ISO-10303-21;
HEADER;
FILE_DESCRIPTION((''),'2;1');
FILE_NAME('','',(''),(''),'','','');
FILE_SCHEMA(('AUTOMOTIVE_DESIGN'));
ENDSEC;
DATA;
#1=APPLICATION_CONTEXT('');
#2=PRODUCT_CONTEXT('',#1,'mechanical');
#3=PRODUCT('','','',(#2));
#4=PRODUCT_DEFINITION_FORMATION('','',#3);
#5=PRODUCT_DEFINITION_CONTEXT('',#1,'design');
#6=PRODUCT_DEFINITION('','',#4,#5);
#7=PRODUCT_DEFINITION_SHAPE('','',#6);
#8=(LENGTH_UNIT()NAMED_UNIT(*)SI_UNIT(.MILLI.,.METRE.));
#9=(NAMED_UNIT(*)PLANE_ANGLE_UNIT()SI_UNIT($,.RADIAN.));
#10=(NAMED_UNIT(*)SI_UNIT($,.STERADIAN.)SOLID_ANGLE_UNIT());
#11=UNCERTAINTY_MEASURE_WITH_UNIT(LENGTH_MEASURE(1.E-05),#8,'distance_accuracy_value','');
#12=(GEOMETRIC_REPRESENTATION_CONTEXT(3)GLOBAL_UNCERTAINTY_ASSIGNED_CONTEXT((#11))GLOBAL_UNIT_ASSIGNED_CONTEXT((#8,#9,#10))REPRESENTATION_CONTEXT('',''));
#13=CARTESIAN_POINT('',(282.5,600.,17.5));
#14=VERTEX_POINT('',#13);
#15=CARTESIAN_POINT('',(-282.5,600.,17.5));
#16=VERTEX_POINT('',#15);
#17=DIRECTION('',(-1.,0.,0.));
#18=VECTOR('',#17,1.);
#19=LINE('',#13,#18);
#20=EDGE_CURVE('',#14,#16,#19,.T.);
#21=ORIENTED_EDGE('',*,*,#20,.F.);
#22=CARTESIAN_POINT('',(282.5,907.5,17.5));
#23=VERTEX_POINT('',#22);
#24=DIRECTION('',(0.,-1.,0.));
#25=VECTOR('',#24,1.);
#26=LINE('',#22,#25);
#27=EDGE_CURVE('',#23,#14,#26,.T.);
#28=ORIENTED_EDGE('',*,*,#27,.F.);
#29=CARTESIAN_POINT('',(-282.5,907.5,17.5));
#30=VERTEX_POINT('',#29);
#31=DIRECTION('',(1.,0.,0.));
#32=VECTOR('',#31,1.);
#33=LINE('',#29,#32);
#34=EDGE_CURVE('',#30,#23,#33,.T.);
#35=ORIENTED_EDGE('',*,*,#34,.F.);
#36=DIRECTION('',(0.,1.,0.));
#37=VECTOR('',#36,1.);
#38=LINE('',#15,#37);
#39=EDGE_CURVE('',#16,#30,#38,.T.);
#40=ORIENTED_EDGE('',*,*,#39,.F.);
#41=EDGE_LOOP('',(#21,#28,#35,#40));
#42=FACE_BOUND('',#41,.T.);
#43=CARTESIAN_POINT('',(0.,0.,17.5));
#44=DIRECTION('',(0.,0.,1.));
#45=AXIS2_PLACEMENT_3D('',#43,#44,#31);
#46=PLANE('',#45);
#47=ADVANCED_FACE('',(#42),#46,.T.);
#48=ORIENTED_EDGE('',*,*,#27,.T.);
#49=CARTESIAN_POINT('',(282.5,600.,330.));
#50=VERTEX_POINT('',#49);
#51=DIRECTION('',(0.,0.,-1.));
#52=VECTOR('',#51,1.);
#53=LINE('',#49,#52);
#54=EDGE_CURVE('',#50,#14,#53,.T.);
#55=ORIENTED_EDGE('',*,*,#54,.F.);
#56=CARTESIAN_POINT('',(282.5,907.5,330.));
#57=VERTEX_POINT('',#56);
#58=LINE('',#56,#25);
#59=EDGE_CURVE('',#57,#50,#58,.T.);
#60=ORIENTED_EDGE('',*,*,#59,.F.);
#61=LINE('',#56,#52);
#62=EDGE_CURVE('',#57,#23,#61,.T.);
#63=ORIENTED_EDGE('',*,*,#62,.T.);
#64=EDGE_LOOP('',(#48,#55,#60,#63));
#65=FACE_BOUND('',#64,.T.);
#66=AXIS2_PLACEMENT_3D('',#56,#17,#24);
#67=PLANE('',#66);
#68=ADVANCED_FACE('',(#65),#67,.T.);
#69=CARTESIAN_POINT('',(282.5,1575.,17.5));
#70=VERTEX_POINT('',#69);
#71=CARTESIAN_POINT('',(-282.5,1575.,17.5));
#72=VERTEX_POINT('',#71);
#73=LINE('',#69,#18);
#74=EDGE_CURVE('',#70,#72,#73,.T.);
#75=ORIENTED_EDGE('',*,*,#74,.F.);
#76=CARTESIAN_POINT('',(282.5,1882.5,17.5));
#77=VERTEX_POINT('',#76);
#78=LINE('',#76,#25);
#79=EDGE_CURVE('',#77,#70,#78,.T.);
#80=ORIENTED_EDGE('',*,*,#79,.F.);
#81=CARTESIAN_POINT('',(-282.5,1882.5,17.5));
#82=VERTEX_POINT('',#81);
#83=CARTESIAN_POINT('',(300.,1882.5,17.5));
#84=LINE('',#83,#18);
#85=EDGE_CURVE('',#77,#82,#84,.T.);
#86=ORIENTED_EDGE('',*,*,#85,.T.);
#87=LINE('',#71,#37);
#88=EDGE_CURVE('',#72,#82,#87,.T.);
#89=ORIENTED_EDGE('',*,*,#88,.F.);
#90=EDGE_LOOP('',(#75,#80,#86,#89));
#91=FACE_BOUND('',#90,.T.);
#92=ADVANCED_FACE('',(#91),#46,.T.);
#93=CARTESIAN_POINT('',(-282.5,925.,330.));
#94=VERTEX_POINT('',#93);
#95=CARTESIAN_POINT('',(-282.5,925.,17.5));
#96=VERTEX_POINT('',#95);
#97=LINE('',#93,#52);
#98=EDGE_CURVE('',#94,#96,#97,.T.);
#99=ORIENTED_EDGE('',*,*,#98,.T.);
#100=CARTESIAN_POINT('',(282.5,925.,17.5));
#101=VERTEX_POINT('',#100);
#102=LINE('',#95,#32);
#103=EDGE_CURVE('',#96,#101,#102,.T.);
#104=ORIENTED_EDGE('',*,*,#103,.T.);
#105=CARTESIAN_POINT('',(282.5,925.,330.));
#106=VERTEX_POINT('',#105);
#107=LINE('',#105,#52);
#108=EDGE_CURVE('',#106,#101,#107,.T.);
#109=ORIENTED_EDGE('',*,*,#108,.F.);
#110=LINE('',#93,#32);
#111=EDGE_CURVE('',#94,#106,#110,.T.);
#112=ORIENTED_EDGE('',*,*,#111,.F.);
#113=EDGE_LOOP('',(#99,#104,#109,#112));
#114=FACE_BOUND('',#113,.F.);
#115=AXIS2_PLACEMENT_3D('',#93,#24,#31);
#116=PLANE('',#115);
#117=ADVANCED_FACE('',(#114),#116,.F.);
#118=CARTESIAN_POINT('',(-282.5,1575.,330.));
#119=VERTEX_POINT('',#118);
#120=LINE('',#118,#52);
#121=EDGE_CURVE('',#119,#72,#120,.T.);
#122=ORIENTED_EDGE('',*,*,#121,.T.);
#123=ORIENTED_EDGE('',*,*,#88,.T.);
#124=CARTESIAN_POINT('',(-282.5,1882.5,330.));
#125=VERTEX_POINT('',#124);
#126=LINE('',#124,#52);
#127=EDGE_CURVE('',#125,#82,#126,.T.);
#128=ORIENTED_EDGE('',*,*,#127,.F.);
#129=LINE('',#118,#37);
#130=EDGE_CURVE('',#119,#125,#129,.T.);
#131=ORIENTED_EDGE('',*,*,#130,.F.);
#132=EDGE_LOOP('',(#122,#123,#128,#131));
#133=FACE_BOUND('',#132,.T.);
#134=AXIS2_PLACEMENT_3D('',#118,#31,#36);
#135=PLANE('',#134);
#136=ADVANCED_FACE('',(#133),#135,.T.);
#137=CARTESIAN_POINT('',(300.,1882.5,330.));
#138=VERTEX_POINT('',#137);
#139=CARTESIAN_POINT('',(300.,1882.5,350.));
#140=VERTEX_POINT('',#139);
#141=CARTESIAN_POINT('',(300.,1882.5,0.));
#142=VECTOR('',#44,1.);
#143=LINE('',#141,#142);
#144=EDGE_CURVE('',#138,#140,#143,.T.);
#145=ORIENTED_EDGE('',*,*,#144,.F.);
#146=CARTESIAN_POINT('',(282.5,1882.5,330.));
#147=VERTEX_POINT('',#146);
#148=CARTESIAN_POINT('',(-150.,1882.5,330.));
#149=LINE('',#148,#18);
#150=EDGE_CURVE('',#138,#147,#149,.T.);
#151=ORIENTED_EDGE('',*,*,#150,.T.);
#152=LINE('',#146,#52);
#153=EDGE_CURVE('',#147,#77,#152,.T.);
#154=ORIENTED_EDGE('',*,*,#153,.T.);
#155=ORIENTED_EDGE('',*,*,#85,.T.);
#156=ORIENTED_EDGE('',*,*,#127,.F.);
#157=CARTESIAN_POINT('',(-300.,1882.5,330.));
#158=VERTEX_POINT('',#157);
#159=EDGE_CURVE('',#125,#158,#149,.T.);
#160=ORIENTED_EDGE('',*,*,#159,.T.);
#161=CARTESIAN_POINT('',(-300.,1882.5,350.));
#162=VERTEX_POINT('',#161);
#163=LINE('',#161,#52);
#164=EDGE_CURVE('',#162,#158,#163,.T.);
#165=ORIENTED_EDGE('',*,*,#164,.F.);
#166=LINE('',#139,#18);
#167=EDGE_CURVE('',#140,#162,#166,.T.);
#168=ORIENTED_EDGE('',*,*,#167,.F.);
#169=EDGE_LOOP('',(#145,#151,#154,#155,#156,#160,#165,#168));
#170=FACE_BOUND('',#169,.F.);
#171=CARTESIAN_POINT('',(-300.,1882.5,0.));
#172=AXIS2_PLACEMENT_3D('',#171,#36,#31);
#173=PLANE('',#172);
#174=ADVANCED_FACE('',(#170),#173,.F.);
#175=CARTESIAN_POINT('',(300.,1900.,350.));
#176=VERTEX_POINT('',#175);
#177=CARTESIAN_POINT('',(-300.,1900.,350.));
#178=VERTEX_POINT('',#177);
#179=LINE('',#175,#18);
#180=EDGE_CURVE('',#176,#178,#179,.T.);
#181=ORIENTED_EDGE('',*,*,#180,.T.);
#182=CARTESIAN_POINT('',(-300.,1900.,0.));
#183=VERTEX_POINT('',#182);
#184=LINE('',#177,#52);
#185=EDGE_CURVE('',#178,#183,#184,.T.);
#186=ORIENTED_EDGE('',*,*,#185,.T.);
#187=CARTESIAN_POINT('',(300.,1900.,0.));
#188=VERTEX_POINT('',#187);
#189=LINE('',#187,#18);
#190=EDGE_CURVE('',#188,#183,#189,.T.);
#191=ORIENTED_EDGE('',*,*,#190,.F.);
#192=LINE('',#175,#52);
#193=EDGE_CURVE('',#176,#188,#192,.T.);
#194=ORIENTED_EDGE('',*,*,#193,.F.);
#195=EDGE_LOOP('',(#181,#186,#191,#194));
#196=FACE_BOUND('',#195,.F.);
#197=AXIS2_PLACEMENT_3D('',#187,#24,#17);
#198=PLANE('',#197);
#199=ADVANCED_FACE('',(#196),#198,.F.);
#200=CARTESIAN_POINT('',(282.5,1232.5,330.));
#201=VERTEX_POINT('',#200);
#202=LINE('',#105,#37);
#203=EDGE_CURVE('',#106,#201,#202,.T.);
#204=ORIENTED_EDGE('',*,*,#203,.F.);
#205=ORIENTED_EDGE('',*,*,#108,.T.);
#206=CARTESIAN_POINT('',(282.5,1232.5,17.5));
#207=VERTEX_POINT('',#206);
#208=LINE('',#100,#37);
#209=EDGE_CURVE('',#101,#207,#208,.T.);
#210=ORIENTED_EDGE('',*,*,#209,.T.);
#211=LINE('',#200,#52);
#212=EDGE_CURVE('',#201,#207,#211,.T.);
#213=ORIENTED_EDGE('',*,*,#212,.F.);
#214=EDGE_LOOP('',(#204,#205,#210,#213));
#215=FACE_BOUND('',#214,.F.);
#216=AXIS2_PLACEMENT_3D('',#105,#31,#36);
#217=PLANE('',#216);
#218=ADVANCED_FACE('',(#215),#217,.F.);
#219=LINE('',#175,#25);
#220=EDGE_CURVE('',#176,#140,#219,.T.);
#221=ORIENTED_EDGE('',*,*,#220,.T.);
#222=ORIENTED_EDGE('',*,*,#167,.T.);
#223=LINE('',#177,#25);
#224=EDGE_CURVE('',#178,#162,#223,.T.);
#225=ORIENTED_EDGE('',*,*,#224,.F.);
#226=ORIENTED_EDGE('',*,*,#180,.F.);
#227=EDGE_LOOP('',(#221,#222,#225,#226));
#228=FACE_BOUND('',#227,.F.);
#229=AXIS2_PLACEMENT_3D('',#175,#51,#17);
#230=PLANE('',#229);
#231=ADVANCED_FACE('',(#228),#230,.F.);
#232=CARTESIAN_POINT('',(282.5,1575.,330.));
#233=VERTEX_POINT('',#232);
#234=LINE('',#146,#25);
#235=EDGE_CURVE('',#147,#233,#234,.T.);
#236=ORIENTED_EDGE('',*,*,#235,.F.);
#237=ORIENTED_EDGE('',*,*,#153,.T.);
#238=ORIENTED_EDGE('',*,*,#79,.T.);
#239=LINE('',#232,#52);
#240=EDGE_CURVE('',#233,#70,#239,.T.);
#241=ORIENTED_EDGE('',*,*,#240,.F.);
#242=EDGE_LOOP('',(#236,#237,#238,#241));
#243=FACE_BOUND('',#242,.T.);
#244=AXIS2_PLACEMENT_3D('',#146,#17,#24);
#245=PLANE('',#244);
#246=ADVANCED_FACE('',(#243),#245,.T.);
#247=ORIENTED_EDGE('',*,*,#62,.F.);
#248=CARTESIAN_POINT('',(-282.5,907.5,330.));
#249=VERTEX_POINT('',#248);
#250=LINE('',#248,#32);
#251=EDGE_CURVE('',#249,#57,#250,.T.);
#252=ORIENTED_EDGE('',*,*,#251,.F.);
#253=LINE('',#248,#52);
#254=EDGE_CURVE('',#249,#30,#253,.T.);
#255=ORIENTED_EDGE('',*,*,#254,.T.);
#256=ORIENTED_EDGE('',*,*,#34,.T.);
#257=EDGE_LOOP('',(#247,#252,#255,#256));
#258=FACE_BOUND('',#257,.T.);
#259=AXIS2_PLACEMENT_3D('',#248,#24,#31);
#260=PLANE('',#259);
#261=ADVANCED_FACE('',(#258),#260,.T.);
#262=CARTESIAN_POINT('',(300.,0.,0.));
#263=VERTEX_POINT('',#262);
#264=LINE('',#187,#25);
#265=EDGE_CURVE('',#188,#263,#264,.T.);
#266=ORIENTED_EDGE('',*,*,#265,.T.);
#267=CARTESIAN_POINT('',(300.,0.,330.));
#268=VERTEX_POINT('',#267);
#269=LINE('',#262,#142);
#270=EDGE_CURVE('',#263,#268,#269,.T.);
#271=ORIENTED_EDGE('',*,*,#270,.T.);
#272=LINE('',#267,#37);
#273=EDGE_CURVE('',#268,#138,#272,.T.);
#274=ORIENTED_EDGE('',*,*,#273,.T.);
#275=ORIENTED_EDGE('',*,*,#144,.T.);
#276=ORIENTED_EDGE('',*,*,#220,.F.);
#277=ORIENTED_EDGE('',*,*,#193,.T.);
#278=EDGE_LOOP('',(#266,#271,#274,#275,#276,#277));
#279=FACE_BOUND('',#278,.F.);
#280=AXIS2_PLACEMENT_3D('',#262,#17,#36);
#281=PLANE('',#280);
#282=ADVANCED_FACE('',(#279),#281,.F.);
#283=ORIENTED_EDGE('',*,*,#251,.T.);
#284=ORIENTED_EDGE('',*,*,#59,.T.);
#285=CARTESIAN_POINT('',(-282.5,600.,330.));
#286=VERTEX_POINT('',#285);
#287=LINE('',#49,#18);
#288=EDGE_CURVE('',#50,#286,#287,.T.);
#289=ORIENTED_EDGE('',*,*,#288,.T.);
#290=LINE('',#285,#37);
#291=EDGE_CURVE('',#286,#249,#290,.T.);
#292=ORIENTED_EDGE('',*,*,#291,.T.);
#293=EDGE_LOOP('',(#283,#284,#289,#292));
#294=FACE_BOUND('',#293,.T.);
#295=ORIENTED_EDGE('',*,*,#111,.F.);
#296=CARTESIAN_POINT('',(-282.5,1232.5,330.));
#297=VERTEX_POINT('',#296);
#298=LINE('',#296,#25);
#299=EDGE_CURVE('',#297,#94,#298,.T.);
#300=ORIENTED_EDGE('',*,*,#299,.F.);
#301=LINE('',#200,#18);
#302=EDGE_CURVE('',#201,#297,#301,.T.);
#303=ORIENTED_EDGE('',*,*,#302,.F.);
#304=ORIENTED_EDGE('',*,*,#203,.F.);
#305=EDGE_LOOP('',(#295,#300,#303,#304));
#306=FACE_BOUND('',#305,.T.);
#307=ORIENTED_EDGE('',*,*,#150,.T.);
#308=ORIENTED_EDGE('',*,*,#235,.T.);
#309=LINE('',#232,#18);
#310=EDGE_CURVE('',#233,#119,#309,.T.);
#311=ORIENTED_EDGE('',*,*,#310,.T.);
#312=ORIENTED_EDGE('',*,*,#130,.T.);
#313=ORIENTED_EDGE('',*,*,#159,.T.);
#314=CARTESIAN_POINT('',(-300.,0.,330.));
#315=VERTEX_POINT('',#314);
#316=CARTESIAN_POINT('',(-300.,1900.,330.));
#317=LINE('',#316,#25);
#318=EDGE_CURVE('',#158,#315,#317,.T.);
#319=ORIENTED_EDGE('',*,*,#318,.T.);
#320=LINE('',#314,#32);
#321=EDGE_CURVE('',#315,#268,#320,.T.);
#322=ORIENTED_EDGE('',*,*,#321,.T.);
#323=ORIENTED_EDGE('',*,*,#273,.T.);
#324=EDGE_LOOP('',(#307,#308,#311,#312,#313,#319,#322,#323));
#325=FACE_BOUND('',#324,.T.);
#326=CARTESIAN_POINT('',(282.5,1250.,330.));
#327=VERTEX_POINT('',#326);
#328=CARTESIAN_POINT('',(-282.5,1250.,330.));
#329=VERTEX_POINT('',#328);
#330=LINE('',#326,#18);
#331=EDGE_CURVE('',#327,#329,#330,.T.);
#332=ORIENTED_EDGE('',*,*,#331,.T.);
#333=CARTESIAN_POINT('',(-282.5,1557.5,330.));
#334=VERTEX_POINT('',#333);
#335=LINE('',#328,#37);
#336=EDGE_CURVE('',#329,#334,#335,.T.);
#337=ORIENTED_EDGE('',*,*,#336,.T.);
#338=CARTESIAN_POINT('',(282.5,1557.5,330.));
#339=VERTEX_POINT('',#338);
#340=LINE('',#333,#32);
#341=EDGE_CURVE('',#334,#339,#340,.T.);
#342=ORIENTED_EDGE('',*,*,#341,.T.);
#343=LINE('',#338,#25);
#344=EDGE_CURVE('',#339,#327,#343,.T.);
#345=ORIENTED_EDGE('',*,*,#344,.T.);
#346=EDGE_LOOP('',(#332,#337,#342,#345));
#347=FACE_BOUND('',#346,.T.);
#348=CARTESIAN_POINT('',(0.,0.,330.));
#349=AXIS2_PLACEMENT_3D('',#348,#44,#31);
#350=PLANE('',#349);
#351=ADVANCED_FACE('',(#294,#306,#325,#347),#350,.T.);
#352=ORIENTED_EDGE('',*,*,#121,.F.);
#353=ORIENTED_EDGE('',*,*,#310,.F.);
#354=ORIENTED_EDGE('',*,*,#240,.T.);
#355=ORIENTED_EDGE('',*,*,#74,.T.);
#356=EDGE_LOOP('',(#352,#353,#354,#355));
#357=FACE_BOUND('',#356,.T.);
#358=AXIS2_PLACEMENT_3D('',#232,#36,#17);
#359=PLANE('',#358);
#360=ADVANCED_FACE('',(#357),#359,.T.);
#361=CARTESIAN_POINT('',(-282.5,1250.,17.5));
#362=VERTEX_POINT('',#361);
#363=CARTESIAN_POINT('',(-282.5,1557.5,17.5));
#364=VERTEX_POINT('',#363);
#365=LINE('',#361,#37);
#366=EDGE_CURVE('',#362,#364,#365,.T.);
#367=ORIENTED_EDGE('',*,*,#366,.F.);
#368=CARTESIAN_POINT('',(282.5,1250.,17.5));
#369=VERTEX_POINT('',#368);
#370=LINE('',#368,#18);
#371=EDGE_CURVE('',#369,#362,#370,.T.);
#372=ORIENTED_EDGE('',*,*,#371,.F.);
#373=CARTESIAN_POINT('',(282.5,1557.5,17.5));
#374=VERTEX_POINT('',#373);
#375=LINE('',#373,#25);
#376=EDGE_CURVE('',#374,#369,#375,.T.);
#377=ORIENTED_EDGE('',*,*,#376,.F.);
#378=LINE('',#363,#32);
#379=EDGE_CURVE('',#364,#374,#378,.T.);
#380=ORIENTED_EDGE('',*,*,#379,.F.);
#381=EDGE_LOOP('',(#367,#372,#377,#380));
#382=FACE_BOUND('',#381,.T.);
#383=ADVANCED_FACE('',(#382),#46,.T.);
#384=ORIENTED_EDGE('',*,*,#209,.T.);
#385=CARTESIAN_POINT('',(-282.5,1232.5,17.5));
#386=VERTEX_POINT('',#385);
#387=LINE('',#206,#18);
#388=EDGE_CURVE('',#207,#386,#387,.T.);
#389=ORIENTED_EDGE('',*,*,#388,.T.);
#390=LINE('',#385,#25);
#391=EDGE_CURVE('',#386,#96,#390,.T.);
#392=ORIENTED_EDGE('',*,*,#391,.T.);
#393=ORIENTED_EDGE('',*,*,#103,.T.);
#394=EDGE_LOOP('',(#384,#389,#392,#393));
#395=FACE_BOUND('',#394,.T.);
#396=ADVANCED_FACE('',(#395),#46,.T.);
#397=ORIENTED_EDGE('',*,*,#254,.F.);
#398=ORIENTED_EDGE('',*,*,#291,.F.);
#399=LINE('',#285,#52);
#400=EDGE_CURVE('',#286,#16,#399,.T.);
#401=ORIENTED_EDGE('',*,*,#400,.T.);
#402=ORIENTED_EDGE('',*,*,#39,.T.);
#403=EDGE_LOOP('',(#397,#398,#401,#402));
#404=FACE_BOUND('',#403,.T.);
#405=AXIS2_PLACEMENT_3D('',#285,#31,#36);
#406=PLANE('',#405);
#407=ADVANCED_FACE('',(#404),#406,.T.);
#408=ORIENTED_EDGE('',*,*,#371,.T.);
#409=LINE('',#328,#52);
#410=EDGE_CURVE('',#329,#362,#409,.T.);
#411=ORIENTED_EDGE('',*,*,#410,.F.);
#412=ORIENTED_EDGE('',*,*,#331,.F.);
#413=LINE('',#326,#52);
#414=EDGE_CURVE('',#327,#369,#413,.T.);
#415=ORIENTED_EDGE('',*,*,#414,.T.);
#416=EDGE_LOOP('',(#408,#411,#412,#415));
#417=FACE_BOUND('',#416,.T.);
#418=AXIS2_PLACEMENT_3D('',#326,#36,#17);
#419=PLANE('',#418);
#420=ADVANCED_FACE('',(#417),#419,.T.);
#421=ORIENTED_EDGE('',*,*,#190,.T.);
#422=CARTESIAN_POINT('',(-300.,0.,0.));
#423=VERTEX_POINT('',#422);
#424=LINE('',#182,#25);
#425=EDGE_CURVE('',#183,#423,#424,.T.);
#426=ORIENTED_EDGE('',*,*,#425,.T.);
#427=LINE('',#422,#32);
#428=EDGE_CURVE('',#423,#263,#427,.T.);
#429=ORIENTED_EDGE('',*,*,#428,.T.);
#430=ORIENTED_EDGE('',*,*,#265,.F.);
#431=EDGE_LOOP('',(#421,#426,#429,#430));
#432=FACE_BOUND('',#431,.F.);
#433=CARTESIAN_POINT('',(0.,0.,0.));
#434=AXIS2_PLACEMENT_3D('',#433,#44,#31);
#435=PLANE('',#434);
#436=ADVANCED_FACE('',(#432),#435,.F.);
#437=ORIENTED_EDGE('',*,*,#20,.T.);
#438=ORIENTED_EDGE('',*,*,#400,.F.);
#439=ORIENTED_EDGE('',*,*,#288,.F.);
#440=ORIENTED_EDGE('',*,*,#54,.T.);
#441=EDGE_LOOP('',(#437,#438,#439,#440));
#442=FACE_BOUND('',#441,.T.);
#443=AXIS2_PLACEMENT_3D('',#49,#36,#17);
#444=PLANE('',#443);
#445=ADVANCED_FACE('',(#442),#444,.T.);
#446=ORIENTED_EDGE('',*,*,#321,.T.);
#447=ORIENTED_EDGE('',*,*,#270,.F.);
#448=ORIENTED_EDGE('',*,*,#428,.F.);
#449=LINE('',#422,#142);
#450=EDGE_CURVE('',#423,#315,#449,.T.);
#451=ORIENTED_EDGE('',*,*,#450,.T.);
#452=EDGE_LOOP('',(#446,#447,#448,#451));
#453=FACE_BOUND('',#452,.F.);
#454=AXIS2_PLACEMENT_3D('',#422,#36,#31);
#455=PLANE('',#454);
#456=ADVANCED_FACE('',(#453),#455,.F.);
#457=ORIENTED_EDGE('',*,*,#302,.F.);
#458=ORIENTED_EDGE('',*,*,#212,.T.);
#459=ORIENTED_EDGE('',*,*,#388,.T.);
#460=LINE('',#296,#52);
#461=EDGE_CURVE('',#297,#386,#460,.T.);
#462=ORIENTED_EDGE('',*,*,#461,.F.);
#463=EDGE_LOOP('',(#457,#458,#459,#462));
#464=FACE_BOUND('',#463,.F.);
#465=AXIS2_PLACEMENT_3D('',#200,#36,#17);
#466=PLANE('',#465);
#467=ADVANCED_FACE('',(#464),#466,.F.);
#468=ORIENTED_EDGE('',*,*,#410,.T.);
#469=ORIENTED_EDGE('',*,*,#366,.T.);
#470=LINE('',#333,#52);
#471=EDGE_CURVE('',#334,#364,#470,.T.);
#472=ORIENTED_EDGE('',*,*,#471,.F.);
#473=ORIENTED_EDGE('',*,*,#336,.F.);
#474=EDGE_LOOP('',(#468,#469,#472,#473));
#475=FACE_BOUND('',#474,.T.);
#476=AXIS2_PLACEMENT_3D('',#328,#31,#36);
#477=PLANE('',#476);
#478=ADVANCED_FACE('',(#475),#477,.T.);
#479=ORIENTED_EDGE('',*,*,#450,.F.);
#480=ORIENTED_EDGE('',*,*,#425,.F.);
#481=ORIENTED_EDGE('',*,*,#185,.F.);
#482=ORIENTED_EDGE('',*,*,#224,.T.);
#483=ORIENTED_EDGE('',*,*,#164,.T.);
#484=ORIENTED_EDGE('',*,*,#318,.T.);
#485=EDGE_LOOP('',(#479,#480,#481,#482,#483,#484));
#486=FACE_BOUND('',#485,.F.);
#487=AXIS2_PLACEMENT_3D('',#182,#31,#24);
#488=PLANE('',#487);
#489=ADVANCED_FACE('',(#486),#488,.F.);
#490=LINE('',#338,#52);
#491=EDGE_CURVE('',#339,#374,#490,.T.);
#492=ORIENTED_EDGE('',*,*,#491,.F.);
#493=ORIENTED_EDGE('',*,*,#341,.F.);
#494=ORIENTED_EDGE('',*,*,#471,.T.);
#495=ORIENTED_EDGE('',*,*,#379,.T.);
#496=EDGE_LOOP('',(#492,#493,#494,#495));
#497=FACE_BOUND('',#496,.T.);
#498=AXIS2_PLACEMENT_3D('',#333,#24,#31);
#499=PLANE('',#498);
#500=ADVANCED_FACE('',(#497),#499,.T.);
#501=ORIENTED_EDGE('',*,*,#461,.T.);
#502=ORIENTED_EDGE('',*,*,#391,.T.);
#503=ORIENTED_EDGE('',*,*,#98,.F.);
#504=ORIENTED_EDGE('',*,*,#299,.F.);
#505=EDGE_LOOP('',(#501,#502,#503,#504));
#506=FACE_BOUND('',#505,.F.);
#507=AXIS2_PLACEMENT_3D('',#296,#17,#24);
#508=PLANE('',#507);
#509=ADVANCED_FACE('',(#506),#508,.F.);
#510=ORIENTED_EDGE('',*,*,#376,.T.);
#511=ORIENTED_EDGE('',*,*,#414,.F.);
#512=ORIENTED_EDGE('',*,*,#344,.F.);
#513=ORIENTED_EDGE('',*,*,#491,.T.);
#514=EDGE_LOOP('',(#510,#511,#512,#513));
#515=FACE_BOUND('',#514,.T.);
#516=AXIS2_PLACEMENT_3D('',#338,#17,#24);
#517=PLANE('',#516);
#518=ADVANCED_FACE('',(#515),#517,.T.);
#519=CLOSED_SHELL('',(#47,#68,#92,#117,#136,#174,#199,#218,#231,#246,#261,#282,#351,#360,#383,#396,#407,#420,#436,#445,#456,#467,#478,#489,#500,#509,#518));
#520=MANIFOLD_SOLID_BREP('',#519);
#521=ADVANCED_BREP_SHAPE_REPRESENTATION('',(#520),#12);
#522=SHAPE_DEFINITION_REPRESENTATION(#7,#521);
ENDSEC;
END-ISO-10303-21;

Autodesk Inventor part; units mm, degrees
ref_plane "YZ Plane" through (0, 0, 0) normal (1, 0, 0) x (0, 1, 0)
ref_plane "XZ Plane" through (0, 0, 0) normal (0, 1, 0) x (-1, 0, 0)
ref_plane "XY Plane" through (0, 0, 0) normal (0, 0, 1) x (1, 0, 0)
sketch "Sketch1" plane through (0, 0, 0) normal (0, 0, 1) x (1, 0, 0)
  line L0 (-300, 0) -> (300, 0)
  line L1 (300, 0) -> (300, 1900)
  line L2 (300, 1900) -> (-300, 1900)
  line L3 (-300, 1900) -> (-300, 0)
  point P0 (0, 0)
  point P1 (0, 0)
  dimension "d0" = 600
  dimension "d1" = 1900
extrude "Extrusion1" add sketch "Sketch1" along normal blind 330
sketch "Sketch2" plane through (-300, 1900, 0) normal (0, 1, 0) x (1, 0, 0)
  line L0 (600, 0) -> (0, 0) construction
  line L1 (0, 0) -> (0, -330) construction
  line L2 (600, -330) -> (0, -330) construction
  line L3 (600, 0) -> (600, -330) construction
  line L4 (0, 0) -> (600, 0)
  line L5 (600, 0) -> (600, -350)
  line L6 (600, -350) -> (0, -350)
  line L7 (0, -350) -> (0, 0)
  point P0 (300, 0)
  dimension "d4" = 350
extrude "Extrusion2" add sketch "Sketch2" against normal blind 17.5
sketch "Sketch3" plane through (0, 0, 330) normal (0, 0, 1) x (1, 0, 0)
  line L0 (300, 1882.5) -> (-300, 1882.5) projected
  line L1 (-282.5, 1882.5) -> (282.5, 1882.5)
  line L2 (282.5, 1882.5) -> (282.5, 1575)
  line L3 (282.5, 1575) -> (-282.5, 1575)
  line L4 (-282.5, 1575) -> (-282.5, 1882.5)
  line L5 (-282.5, 1557.5) -> (282.5, 1557.5)
  line L6 (282.5, 1557.5) -> (282.5, 1250)
  line L7 (282.5, 1250) -> (-282.5, 1250)
  line L8 (-282.5, 1250) -> (-282.5, 1557.5)
  line L9 (282.5, 1232.5) -> (-282.5, 1232.5)
  line L10 (-282.5, 1232.5) -> (-282.5, 925)
  line L11 (-282.5, 925) -> (282.5, 925)
  line L12 (282.5, 925) -> (282.5, 1232.5)
  line L13 (-282.5, 907.5) -> (282.5, 907.5)
  line L14 (282.5, 907.5) -> (282.5, 600)
  line L15 (282.5, 600) -> (-282.5, 600)
  line L16 (-282.5, 600) -> (-282.5, 907.5)
  line L17 (-300, 0) -> (300, 0) projected
  line L18 (-282.5, 1575) -> (-282.5, 1557.5) construction
  line L19 (-282.5, 1250) -> (-282.5, 1232.5) construction
  line L20 (-282.5, 925) -> (-282.5, 907.5) construction
  point P0 (0, 0)
  point P1 (0, 600)
  point P2 (0, 0)
  dimension "d7" = 600
  dimension "d8" = 17.5
  dimension "d9" = 565
extrude "Extrusion3" cut sketch "Sketch3" against normal blind 312.5
properties part number "Libreria"
